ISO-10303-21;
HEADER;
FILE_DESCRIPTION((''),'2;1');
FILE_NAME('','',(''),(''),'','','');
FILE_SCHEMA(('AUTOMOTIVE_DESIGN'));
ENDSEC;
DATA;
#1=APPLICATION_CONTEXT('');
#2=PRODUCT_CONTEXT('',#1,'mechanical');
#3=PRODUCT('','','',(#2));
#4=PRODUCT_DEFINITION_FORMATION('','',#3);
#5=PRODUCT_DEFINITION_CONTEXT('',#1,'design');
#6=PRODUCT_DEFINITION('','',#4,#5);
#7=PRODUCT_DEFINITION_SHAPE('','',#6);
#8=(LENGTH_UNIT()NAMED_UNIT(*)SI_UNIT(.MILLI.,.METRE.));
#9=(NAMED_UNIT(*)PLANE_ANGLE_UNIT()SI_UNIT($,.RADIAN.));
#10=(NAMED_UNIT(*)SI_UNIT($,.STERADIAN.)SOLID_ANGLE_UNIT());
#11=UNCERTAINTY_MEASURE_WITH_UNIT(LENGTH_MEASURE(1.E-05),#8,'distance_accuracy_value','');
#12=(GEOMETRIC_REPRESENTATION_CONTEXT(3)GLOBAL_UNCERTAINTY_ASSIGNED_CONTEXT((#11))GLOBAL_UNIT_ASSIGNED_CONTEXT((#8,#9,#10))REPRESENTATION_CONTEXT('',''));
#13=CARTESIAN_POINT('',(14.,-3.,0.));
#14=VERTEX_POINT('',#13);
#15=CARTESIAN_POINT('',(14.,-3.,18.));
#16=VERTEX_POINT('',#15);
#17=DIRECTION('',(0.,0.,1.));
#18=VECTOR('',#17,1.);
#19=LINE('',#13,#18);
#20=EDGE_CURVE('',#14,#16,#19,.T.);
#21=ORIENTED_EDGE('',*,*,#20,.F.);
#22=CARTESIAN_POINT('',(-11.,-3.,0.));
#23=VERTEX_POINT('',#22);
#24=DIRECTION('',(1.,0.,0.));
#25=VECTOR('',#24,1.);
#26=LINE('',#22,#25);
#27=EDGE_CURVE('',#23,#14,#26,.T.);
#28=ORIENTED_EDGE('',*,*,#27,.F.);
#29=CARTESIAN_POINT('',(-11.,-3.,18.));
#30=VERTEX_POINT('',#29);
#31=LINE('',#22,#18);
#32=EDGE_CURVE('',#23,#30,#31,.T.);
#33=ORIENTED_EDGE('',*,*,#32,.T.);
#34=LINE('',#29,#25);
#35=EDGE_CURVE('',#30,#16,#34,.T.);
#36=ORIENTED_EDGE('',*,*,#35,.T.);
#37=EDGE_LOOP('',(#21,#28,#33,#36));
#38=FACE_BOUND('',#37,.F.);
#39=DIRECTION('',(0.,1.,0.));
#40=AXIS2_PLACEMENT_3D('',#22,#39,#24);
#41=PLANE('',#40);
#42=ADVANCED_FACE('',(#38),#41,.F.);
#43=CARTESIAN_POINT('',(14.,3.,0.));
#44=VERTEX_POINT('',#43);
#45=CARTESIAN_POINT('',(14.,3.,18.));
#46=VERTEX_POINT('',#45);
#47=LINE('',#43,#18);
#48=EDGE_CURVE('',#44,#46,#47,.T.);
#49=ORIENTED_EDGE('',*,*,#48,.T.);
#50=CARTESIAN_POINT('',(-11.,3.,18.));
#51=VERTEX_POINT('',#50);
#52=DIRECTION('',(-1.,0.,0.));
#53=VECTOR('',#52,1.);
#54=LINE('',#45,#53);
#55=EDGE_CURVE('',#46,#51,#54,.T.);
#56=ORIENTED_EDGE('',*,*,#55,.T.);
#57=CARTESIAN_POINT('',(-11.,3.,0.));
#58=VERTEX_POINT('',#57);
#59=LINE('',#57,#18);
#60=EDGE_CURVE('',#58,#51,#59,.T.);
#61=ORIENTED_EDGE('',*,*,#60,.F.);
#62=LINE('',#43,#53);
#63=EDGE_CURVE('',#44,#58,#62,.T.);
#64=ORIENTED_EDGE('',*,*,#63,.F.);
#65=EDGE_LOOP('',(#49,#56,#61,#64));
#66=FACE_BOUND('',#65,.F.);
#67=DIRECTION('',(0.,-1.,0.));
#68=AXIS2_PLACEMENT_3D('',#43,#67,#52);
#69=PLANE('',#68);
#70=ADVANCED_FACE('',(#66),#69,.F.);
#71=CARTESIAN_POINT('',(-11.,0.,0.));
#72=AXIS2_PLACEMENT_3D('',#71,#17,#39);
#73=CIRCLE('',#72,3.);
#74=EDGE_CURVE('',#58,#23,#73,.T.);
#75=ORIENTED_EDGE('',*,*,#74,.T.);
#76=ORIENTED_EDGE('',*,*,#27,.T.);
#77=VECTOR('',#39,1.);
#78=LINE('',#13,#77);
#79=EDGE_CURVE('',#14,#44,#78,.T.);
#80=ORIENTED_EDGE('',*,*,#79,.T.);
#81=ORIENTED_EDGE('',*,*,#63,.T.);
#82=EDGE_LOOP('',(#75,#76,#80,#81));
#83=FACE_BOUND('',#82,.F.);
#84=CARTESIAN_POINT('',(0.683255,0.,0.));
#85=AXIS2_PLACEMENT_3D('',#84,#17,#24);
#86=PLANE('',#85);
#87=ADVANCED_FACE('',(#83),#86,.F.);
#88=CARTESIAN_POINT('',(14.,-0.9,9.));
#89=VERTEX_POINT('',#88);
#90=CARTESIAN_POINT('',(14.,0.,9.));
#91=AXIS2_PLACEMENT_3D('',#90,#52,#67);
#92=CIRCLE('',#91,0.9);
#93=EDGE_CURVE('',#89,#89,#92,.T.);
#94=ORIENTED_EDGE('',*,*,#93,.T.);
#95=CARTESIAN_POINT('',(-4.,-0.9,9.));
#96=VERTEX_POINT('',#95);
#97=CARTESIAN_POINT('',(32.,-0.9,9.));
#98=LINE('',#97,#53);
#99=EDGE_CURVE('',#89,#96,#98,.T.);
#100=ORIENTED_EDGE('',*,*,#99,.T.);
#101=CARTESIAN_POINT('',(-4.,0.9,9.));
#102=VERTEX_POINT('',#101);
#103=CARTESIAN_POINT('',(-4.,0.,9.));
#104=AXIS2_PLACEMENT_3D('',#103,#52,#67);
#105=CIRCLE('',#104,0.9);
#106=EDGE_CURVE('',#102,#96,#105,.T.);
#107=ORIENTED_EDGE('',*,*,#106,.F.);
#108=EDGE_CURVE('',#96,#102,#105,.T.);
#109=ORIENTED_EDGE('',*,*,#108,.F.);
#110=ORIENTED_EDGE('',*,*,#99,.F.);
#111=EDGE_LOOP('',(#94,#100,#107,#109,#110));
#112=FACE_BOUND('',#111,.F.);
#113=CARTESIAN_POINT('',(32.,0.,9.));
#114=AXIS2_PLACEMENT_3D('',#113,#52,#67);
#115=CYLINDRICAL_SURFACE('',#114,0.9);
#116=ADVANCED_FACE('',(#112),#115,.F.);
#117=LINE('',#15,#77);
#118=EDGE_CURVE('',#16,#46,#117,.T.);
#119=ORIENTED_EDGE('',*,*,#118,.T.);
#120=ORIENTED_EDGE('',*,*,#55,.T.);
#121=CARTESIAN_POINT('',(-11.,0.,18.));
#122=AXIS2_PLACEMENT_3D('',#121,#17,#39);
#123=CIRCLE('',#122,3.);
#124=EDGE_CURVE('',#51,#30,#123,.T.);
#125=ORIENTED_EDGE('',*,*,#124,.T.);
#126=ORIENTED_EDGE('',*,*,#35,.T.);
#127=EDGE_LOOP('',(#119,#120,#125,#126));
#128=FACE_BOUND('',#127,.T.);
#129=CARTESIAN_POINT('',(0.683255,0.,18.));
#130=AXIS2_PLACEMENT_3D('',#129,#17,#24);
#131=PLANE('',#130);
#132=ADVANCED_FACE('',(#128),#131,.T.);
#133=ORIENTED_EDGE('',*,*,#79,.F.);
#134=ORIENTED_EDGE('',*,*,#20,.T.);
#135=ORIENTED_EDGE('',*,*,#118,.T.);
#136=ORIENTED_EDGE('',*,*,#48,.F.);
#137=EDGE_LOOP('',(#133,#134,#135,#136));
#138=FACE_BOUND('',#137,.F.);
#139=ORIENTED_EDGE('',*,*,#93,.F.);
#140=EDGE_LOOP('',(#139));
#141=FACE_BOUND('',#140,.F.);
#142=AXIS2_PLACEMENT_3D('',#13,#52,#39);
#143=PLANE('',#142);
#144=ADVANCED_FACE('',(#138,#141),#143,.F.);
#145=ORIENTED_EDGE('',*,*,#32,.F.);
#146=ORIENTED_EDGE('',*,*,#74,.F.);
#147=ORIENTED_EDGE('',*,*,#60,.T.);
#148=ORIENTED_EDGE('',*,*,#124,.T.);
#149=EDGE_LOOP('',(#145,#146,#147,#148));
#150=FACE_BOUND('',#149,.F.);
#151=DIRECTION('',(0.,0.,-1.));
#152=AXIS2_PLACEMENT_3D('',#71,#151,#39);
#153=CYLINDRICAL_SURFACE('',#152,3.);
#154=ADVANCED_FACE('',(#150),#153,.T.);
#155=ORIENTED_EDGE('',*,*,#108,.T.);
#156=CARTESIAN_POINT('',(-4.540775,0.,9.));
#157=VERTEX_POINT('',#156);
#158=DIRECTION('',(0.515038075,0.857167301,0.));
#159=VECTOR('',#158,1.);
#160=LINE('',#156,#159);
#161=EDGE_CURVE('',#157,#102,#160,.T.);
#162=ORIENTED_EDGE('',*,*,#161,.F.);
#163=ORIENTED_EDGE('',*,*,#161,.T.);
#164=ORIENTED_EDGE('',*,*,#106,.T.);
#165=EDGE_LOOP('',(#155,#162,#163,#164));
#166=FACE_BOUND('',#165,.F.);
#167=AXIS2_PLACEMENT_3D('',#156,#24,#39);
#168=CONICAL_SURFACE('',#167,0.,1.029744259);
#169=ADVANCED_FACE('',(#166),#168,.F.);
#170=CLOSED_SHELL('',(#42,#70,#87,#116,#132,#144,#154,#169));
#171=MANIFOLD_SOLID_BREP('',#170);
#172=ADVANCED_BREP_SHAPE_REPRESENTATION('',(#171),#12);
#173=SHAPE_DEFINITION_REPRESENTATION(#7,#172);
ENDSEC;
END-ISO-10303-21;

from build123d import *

# Parameters (mm, degrees)
F1_DEPTH = 18
F3_D     = 1.8
F3_DEPTH = 18
F3_TIP   = 0.5407745571


with BuildPart() as f1:
    # F0 (on Top) → F1 (new body)
    with BuildSketch(Plane.XY):
        with BuildLine():
            Line((14, 3), (-11, 3))
            ThreePointArc((-11, 3), (-14, 0), (-11, -3))
            Line((-11, -3), (14, -3))
            Line((14, -3), (14, 3))
        make_face()
    extrude(amount=F1_DEPTH)

    # F3
    with Locations(Plane.YZ.offset(14)):
        with Locations((0, 9)):
            Hole(F3_D / 2, depth=F3_DEPTH)
            with Locations((0, 0, -(F3_DEPTH + F3_TIP / 2))):  # 118° drill point
                Cone(0, F3_D / 2, F3_TIP, mode=Mode.SUBTRACT)


solid = f1.part
